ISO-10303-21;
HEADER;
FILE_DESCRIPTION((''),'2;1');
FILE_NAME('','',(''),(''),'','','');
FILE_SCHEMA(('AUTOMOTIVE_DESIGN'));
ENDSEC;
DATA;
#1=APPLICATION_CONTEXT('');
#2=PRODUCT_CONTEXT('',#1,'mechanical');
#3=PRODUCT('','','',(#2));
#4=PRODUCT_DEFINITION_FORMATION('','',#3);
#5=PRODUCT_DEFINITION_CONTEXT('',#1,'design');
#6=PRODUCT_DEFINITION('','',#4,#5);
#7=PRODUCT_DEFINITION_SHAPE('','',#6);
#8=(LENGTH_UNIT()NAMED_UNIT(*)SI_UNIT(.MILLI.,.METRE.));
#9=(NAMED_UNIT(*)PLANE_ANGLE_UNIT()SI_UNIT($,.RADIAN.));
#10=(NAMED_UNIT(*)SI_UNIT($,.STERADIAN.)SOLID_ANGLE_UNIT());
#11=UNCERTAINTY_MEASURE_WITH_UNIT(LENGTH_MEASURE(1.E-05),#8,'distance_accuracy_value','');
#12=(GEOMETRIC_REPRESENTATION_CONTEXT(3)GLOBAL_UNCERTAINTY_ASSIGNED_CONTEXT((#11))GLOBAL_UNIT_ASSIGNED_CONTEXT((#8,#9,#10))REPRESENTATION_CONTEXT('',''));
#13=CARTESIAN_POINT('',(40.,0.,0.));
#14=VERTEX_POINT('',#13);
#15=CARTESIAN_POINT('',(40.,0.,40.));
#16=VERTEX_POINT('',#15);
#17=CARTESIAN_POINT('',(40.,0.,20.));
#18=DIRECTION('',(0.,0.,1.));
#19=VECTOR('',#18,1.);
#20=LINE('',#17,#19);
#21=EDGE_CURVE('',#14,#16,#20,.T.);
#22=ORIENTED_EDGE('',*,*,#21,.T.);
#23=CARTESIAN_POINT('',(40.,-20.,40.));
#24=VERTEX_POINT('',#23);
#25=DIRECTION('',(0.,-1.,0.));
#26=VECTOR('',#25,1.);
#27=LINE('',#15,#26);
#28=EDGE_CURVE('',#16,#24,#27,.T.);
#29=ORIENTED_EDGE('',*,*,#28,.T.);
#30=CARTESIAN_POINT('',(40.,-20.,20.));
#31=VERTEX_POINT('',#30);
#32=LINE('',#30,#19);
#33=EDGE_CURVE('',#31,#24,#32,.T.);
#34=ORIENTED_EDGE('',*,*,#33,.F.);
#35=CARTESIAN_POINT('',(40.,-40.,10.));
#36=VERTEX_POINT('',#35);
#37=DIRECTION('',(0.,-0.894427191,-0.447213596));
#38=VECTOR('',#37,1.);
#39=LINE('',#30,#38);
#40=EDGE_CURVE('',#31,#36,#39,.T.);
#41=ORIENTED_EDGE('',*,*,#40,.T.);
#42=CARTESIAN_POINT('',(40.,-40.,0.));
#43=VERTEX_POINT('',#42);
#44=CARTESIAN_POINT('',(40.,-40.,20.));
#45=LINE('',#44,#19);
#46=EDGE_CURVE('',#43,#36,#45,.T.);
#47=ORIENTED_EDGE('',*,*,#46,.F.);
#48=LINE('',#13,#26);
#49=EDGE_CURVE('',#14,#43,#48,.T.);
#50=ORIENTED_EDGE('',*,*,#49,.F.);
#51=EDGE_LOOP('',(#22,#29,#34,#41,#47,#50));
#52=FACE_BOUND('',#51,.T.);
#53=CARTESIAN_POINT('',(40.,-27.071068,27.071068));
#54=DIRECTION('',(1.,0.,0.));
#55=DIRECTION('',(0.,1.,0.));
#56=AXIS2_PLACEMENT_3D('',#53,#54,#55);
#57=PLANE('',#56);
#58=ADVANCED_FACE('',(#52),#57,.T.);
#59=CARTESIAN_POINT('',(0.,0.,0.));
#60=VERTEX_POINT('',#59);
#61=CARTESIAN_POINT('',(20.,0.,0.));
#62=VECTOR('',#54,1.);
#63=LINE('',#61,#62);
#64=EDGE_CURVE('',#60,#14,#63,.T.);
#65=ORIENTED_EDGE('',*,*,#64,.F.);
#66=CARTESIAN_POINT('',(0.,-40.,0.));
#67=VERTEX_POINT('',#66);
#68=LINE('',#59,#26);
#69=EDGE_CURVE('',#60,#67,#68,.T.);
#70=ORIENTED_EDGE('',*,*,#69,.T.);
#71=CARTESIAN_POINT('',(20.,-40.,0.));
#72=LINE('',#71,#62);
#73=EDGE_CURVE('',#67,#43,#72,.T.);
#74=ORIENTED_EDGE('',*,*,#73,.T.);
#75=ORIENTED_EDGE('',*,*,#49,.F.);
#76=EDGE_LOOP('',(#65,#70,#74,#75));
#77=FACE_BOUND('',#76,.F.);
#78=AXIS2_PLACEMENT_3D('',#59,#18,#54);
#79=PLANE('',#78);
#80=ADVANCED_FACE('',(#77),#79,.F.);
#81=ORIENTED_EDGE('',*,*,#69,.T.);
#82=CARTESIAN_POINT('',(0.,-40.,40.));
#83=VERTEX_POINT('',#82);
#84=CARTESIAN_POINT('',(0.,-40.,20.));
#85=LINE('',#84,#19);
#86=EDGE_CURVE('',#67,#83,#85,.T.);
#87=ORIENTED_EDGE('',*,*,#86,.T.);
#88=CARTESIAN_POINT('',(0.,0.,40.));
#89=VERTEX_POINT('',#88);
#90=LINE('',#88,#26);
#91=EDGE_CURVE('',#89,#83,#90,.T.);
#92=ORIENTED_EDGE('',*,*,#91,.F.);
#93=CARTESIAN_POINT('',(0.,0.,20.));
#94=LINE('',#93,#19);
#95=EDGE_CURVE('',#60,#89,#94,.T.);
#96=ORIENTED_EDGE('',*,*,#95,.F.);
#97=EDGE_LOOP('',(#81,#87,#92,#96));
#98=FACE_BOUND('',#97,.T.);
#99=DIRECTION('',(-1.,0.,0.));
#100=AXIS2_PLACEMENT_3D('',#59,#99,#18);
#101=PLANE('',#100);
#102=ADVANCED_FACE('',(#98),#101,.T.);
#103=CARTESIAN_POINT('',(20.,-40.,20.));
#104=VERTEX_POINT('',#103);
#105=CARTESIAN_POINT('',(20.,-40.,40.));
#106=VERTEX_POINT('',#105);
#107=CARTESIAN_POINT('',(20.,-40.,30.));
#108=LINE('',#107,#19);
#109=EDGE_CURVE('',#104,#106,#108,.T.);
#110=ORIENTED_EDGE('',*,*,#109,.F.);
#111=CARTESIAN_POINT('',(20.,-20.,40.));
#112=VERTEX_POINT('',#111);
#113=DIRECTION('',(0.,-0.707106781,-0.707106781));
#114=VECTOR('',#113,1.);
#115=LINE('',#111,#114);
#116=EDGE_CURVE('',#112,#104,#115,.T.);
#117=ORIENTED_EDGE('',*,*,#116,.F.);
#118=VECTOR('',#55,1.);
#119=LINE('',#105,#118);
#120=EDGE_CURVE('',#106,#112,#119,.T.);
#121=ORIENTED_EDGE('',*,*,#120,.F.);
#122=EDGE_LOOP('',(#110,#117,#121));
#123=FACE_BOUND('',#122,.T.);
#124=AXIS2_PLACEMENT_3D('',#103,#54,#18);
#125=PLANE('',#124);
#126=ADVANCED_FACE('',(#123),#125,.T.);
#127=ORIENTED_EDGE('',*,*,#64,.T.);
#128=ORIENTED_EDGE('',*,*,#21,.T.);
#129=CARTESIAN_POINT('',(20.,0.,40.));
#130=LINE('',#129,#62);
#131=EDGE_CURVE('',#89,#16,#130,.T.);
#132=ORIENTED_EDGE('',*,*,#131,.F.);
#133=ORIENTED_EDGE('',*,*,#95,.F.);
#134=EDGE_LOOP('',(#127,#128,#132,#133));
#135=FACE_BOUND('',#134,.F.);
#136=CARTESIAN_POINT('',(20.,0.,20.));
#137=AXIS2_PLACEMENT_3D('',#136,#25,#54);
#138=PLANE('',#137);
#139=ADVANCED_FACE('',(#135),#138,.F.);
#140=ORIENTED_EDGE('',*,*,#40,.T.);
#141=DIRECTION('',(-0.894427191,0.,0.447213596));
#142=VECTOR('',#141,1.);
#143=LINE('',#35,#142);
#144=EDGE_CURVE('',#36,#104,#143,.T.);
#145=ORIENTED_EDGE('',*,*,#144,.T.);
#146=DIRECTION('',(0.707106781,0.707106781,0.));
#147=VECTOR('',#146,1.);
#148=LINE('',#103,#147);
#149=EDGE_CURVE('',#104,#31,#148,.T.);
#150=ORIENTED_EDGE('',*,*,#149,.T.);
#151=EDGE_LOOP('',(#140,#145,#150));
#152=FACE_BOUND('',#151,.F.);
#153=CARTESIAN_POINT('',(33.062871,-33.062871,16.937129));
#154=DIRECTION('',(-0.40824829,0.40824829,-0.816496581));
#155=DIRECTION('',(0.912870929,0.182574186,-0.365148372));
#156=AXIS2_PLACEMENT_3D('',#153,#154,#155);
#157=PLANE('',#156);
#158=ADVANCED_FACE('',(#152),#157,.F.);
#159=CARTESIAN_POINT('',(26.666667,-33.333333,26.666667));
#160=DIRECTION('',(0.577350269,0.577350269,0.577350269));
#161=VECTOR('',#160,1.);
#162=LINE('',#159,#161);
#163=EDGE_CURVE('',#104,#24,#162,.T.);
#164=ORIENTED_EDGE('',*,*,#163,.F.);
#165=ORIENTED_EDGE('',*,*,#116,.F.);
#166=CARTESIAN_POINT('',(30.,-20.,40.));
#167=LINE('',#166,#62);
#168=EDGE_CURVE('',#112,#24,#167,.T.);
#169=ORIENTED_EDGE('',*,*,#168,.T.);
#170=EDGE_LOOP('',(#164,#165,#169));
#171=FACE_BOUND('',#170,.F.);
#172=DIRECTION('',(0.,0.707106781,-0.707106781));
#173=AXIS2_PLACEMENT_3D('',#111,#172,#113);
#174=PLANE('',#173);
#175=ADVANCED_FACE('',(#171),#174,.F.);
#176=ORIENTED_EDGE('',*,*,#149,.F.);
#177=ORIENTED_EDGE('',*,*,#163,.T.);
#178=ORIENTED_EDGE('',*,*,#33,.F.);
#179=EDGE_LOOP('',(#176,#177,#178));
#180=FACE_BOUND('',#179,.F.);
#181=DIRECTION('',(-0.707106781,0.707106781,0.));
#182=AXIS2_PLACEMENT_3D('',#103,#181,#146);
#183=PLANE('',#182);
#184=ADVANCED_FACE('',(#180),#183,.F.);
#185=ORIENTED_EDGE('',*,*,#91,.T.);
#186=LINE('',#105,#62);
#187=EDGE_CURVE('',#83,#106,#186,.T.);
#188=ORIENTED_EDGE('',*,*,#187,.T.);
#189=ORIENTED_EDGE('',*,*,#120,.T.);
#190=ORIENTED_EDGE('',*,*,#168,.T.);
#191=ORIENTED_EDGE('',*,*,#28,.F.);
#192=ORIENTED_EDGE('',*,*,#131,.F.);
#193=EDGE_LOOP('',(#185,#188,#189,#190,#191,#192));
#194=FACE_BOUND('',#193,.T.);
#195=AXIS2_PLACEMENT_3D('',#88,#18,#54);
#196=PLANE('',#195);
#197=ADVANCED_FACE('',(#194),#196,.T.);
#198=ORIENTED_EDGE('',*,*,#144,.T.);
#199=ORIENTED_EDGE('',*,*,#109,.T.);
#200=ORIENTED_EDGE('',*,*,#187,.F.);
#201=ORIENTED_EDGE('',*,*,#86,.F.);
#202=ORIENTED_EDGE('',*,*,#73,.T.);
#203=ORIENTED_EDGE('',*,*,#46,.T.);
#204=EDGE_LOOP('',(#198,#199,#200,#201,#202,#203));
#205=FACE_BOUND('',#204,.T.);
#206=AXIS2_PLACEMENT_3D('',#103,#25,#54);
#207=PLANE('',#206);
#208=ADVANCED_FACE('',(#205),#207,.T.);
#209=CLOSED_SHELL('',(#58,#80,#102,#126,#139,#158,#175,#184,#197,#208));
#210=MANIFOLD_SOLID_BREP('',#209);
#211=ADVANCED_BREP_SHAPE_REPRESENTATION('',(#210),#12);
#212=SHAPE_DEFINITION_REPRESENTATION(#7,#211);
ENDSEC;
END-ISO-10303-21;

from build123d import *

# Parameters (mm, degrees)
F0_W      = 40
F0_H      = 40
F1_DEPTH  = 40
F2_W      = 20
F2_H      = 20
F3_DEPTH  = 20
F7_DEPTH  = 24.4958974278
F9_DEPTH  = 20
F11_DEPTH = 20


with BuildPart() as f1:
    # F0 (on Front) → F1 (new body)
    with BuildSketch(Plane.XZ):
        with Locations((20, 20)):
            Rectangle(F0_W, F0_H)
    extrude(amount=F1_DEPTH)

    # F2 (on face) → F3 (cut)
    with BuildSketch(Plane.XZ.offset(40)):
        with Locations((30, 30)):
            Rectangle(F2_W, F2_H)
    extrude(amount=-F3_DEPTH, mode=Mode.SUBTRACT)

    # F6 (on 3pt) → F7 (cut, through all)
    with BuildSketch(Plane(origin=(16.6666666667, -16.6666666667, 33.3333333333), x_dir=(0.9128709292, 0.1825741858, -0.3651483717), z_dir=(-0.4082482905, 0.4082482905, -0.8164965809))):
        Polygon((3.6514837167, 26.83281573), (25.5603860169, 8.94427191), (25.5603860169, 31.304951685), align=None)
    extrude(amount=-F7_DEPTH, mode=Mode.SUBTRACT)

    # F8 (on face) → F9 (join, through all)
    with BuildSketch(Plane.YZ.offset(20)):
        Polygon((-20, 20), (-20, 40), (-40, 20), align=None)
    extrude(amount=F9_DEPTH)

    # F10 (on face) → F11 (cut, through all)
    with BuildSketch(Plane(origin=(0, 0, 20), x_dir=(1, 0, 0), z_dir=(0, 0, -1))):
        Polygon((20, 40), (40, 20), (40, 40), align=None)
    extrude(amount=-F11_DEPTH, mode=Mode.SUBTRACT)


solid = f1.part
